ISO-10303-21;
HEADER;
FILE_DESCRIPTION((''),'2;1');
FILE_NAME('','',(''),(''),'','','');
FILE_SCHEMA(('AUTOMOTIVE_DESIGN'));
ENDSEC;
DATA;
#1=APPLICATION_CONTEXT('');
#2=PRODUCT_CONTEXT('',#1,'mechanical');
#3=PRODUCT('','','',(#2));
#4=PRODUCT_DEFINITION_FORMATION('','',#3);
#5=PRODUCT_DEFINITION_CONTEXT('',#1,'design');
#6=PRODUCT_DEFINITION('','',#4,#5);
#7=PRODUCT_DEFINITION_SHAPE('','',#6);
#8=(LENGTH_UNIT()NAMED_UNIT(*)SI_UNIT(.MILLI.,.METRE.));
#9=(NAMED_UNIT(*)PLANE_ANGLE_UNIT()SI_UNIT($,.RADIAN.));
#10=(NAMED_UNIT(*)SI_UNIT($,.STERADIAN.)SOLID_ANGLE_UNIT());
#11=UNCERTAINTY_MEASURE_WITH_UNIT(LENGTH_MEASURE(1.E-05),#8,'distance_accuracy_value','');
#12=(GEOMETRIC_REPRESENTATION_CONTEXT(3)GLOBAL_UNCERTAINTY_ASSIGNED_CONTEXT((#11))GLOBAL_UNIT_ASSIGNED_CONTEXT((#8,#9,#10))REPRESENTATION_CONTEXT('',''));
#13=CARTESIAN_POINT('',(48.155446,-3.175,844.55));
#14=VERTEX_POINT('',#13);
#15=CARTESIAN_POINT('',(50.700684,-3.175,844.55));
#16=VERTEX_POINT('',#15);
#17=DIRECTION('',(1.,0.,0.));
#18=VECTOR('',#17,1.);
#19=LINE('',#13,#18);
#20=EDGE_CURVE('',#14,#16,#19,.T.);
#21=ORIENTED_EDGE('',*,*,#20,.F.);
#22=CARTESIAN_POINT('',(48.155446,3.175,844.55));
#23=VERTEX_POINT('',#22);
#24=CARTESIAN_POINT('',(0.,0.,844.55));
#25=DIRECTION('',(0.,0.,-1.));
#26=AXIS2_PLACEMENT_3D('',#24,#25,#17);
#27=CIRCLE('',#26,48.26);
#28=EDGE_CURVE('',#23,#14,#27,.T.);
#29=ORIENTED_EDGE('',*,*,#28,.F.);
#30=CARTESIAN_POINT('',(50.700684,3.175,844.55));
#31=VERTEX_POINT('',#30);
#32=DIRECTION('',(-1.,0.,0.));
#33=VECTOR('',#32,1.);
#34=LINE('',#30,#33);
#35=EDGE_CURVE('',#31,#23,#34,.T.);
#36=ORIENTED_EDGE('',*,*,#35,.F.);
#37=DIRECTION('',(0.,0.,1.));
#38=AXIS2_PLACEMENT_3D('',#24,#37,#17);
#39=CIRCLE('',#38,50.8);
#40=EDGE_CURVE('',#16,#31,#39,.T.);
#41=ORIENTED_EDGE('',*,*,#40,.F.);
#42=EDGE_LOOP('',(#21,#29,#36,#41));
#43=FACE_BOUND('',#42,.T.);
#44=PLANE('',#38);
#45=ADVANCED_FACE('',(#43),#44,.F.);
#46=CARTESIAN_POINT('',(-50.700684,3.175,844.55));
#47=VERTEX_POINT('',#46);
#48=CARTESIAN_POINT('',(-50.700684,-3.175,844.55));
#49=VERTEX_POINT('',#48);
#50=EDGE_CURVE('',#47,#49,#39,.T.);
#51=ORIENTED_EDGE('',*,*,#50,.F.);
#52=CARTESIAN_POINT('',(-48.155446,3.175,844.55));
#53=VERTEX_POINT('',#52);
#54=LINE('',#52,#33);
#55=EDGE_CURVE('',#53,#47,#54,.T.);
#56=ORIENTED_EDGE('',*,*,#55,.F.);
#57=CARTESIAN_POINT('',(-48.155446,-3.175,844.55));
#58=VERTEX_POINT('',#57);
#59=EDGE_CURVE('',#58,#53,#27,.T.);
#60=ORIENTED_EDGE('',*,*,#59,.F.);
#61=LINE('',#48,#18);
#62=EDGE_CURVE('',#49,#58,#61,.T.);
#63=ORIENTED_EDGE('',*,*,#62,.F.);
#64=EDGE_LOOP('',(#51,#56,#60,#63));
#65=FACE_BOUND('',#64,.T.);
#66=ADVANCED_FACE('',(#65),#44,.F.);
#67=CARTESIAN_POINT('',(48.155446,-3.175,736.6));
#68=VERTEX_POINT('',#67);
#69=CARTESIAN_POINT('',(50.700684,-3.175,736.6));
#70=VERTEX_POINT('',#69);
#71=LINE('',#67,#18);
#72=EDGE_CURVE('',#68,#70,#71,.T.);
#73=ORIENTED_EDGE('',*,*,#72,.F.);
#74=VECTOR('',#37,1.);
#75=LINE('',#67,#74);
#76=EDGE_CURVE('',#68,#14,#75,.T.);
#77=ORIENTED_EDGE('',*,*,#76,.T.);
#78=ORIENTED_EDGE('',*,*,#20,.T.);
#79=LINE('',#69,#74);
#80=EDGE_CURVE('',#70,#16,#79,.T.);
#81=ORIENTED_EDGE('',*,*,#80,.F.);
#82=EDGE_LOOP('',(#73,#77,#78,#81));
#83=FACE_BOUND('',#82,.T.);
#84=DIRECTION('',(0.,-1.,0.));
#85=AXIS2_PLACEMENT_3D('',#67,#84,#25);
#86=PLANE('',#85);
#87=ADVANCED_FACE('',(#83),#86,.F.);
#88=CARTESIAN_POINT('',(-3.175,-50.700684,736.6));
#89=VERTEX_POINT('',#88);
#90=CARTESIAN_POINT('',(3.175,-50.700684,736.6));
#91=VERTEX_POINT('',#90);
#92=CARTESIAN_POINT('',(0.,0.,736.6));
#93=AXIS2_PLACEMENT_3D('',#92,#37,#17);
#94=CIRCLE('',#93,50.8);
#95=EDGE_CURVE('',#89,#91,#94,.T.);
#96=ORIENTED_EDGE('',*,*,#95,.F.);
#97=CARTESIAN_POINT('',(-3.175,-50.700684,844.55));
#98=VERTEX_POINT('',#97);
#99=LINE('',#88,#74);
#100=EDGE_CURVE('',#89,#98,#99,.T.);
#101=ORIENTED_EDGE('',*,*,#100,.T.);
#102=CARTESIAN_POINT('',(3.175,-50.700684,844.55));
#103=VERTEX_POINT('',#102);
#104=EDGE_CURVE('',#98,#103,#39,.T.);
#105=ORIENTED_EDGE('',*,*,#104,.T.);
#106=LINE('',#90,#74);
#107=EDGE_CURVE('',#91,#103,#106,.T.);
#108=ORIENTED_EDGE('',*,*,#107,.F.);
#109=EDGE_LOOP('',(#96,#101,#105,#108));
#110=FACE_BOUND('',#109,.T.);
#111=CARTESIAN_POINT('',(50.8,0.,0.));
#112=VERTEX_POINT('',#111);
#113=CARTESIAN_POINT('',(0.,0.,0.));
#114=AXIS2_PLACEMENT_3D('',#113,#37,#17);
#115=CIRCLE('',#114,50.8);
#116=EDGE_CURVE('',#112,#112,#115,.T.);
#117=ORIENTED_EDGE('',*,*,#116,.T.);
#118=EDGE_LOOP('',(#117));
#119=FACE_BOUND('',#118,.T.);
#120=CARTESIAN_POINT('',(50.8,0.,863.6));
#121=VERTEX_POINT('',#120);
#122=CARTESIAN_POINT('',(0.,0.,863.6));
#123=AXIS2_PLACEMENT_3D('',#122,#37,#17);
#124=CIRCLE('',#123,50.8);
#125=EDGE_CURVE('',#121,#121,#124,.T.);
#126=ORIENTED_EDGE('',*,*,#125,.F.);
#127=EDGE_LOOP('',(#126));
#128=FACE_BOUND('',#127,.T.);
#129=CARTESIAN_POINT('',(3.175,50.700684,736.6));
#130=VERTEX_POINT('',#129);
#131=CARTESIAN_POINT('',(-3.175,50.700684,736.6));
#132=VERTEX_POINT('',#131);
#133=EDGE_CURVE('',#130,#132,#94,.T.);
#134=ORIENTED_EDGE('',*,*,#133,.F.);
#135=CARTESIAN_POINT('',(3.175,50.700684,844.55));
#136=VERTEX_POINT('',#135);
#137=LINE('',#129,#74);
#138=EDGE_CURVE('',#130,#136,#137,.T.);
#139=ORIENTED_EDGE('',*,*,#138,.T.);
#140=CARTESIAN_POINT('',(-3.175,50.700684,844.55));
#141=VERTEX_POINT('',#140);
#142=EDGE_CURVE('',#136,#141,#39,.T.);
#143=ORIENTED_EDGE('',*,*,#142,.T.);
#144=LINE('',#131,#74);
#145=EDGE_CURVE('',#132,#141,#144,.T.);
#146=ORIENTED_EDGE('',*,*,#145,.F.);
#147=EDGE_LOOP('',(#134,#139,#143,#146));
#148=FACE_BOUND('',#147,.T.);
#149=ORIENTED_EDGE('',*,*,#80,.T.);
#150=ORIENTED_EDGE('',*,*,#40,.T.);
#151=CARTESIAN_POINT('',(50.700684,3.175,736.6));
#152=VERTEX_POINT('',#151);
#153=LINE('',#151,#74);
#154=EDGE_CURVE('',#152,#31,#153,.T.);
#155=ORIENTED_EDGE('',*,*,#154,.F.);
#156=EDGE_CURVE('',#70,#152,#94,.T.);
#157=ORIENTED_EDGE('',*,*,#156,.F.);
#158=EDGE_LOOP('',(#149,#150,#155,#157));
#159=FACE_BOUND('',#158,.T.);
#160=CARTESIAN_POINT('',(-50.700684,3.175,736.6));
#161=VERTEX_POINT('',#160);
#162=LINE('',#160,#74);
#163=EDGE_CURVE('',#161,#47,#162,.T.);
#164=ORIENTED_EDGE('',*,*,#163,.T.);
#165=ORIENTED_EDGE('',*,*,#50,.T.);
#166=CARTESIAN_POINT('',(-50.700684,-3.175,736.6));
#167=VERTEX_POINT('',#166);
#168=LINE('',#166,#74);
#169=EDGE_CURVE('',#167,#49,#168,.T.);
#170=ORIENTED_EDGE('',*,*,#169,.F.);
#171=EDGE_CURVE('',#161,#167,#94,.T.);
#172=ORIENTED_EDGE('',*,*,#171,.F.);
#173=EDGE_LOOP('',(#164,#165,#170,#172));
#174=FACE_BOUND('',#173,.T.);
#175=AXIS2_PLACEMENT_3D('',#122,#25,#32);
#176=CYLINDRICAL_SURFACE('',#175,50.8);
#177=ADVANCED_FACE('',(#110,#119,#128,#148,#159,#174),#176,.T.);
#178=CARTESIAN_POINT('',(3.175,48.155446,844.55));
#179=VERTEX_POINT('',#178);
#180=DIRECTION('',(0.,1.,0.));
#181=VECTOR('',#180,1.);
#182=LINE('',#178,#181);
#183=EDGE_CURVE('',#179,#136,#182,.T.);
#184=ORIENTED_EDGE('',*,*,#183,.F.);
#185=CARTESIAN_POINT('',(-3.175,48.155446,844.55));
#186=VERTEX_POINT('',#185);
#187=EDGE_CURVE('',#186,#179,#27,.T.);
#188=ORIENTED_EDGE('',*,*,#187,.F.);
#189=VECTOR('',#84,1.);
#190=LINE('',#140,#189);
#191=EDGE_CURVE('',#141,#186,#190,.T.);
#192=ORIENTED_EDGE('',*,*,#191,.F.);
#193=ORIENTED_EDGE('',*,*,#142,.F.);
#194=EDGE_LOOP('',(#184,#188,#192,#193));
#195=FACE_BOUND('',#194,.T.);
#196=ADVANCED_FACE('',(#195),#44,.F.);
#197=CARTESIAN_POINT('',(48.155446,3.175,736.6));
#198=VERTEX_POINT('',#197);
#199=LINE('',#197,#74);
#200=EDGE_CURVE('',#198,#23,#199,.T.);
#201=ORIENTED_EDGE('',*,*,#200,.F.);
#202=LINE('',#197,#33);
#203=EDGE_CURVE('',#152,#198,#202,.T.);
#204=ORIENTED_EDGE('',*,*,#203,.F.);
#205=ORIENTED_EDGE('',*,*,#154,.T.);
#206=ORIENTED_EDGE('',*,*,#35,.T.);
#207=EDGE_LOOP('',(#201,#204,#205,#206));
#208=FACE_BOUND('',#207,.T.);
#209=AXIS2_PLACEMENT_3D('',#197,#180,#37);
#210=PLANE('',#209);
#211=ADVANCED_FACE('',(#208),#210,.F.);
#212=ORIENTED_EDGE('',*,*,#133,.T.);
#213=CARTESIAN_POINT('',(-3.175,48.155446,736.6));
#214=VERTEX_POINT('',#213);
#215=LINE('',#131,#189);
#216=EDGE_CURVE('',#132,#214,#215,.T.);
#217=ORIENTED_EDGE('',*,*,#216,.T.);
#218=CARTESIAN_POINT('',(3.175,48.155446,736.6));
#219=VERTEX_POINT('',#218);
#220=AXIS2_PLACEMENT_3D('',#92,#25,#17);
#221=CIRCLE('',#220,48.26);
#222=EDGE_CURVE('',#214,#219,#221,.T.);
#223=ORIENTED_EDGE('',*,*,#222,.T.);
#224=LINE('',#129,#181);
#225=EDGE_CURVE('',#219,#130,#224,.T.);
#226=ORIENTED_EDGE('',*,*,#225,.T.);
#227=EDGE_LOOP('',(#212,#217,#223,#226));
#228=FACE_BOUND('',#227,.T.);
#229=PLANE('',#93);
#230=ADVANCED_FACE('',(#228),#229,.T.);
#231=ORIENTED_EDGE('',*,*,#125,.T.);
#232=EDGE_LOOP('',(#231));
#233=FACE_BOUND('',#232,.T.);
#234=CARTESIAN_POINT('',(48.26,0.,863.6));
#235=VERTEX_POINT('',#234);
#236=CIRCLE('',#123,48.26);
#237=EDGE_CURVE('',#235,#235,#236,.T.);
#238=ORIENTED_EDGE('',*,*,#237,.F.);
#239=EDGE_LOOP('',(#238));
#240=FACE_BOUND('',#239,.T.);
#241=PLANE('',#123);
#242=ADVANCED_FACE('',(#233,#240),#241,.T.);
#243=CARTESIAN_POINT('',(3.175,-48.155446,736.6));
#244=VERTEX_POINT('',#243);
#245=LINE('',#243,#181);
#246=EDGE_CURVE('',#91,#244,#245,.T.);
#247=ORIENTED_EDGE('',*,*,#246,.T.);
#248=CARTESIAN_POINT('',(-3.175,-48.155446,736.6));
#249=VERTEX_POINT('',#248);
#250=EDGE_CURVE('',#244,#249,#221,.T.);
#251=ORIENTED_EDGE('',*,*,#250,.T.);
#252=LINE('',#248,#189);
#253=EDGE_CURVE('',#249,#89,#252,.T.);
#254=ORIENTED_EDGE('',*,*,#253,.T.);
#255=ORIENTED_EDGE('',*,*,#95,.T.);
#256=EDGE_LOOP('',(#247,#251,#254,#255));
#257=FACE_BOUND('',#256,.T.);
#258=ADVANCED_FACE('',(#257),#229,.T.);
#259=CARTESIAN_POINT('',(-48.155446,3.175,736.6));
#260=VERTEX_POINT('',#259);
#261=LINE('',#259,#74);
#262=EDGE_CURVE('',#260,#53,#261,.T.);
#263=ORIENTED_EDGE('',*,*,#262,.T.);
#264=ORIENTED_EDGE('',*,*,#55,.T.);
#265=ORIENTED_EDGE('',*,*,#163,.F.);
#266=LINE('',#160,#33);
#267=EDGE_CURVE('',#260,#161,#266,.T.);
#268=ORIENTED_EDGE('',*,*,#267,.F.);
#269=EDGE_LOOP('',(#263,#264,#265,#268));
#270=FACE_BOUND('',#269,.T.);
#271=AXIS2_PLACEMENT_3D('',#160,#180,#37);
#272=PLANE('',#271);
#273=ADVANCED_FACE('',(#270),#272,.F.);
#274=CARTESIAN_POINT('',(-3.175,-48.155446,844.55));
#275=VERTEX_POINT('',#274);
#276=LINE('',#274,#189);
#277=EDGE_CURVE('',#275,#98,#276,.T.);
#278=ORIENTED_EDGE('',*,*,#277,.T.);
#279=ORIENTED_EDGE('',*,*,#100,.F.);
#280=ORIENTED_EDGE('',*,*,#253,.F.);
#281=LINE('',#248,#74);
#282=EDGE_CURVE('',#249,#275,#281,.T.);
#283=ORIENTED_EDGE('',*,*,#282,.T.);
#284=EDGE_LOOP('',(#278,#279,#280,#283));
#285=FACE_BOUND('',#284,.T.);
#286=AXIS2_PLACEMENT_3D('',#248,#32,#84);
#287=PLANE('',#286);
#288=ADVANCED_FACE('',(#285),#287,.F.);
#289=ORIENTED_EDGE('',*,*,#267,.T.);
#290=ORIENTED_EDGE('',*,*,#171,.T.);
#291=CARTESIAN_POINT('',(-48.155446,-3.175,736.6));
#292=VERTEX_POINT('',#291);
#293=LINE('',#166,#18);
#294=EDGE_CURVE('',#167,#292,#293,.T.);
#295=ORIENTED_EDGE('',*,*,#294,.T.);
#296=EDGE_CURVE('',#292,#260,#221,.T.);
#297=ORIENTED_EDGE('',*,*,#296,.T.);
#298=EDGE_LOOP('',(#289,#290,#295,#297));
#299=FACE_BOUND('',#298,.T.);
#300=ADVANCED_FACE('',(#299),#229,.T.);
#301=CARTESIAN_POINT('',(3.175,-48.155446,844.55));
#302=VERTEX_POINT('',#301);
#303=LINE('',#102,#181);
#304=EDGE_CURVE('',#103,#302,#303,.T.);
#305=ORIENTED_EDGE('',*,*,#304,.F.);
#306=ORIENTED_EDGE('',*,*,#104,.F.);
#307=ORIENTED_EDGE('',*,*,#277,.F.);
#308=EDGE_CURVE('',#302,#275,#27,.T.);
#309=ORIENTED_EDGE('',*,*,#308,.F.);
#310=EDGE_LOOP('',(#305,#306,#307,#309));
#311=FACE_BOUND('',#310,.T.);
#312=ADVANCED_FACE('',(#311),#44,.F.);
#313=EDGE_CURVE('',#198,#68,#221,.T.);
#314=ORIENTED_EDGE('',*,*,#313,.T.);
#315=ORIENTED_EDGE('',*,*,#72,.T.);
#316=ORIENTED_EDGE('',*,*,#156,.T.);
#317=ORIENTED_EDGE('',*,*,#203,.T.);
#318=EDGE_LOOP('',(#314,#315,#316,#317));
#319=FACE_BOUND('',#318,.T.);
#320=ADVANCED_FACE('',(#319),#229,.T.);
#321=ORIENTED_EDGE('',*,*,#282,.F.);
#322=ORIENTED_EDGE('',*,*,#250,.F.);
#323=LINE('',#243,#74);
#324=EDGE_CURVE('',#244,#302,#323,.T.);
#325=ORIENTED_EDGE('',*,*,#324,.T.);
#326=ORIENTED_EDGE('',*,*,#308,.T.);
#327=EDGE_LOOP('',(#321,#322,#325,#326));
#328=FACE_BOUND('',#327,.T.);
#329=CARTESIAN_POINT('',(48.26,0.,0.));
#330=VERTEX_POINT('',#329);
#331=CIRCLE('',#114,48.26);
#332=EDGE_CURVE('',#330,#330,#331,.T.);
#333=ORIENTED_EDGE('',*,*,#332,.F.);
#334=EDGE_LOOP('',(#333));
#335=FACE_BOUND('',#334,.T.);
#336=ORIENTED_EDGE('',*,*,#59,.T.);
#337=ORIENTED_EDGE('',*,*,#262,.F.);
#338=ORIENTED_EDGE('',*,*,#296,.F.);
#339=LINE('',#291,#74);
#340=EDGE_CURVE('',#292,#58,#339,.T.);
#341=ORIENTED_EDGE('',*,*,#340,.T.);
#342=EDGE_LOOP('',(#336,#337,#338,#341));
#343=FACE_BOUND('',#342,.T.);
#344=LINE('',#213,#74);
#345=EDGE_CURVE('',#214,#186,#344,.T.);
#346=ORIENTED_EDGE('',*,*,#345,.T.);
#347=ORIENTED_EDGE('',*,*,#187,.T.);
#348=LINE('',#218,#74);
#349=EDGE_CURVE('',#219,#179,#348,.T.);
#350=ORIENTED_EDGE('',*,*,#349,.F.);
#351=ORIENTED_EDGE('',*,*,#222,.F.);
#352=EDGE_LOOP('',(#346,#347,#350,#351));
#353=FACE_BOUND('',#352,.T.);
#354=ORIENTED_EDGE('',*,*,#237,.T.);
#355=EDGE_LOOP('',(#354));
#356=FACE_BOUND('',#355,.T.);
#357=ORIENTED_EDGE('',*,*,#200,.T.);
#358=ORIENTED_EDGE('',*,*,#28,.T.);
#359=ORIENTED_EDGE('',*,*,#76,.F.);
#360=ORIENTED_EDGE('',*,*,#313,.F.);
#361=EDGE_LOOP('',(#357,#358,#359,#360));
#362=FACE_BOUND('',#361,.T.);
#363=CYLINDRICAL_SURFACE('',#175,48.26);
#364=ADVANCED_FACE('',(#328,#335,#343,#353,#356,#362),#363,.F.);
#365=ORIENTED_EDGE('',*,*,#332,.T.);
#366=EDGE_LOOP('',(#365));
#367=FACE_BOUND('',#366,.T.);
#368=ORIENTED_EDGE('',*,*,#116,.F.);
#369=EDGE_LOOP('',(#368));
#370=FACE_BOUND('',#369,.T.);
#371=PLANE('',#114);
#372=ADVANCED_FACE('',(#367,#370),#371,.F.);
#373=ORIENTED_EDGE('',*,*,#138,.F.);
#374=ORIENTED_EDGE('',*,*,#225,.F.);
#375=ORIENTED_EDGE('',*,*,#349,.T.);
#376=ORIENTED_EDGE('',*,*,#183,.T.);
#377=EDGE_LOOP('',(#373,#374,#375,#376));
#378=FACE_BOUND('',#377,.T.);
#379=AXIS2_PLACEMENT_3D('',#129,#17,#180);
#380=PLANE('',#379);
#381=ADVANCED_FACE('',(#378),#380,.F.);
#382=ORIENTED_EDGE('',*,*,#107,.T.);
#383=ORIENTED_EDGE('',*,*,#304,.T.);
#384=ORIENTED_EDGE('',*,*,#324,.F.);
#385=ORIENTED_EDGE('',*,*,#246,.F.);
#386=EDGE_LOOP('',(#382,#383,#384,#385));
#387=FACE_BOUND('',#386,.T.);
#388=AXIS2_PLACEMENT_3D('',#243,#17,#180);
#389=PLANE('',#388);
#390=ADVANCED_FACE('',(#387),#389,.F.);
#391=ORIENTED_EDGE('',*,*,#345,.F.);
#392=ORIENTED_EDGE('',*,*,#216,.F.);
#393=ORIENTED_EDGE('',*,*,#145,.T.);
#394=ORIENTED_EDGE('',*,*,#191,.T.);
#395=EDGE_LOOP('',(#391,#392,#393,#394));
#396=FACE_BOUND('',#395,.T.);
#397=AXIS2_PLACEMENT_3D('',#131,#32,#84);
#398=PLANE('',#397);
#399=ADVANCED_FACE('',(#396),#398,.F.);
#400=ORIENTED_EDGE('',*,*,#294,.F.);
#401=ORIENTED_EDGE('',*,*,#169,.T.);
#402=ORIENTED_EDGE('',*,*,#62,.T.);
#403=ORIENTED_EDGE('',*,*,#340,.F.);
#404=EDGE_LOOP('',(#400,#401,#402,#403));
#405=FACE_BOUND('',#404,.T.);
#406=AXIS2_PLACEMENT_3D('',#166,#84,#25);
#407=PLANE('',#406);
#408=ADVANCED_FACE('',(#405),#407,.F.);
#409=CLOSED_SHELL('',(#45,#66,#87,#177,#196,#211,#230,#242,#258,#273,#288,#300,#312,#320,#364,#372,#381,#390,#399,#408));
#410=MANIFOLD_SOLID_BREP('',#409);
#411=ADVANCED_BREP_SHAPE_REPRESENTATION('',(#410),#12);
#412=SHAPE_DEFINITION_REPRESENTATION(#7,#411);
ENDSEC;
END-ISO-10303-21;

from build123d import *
from build123d.topology import SkipClean

# Parameters (mm, degrees)
SKETCH1_R           = 50.8
SKETCH1_R_2         = 48.26
BOSS_EXTRUDE1_DEPTH = 863.6
CUT_EXTRUDE1_START  = -127
CUT_EXTRUDE1_DEPTH  = 127
BOSS_EXTRUDE2_START = -19.05
BOSS_EXTRUDE2_DEPTH = 19.05


with BuildPart() as part:
    # Sketch1 → Boss-Extrude1 (new body)
    with BuildSketch(Plane.XY):
        Circle(SKETCH1_R)
        Circle(SKETCH1_R_2, mode=Mode.SUBTRACT)
    extrude(amount=BOSS_EXTRUDE1_DEPTH)

    # Sketch2 → Cut-Extrude1 (cut)
    with BuildSketch(Plane.XY.offset(863.6).offset(CUT_EXTRUDE1_START)):
        with BuildLine():
            Line((-3.175, 50.700684167), (-3.175, 48.155445954))
            ThreePointArc((-3.175, 48.155445954), (0, 48.26), (3.175, 48.155445954))
            Line((3.175, 48.155445954), (3.175, 50.700684167))
            ThreePointArc((3.175, 50.700684167), (0, 50.8), (-3.175, 50.700684167))
        make_face()
        with BuildLine():
            Line((-50.700684167, 3.175), (-48.155445954, 3.175))
            ThreePointArc((-48.155445954, 3.175), (-48.26, 0), (-48.155445954, -3.175))
            Line((-48.155445954, -3.175), (-50.700684167, -3.175))
            ThreePointArc((-50.700684167, -3.175), (-50.8, 0), (-50.700684167, 3.175))
        make_face()
        with BuildLine():
            Line((48.155445954, 3.175), (50.700684167, 3.175))
            ThreePointArc((50.700684167, 3.175), (50.8, 0), (50.700684167, -3.175))
            Line((50.700684167, -3.175), (48.155445954, -3.175))
            ThreePointArc((48.155445954, -3.175), (48.26, 0), (48.155445954, 3.175))
        make_face()
        with BuildLine():
            Line((3.175, -48.155445954), (3.175, -50.700684167))
            ThreePointArc((3.175, -50.700684167), (0, -50.8), (-3.175, -50.700684167))
            Line((-3.175, -50.700684167), (-3.175, -48.155445954))
            ThreePointArc((-3.175, -48.155445954), (0, -48.26), (3.175, -48.155445954))
        make_face()
    extrude(amount=CUT_EXTRUDE1_DEPTH, mode=Mode.SUBTRACT)

    # Sketch4 → Boss-Extrude2 (add)
    with SkipClean():  # the faces are left unmerged after this step: merging them gives an invalid solid
        with BuildSketch(Plane.XY.offset(863.6).offset(BOSS_EXTRUDE2_START)):
            with BuildLine():
                Line((-3.175, 50.700684167), (-3.175, 48.155445954))
                ThreePointArc((-3.175, 48.155445954), (0, 48.26), (3.175, 48.155445954))
                Line((3.175, 48.155445954), (3.175, 50.700684167))
                ThreePointArc((3.175, 50.700684167), (0, 50.8), (-3.175, 50.700684167))
            make_face()
            with BuildLine():
                Line((50.700684167, 3.175), (48.155445954, 3.175))
                ThreePointArc((48.155445954, 3.175), (48.26, 0), (48.155445954, -3.175))
                Line((48.155445954, -3.175), (50.700684167, -3.175))
                ThreePointArc((50.700684167, -3.175), (50.8, 0), (50.700684167, 3.175))
            make_face()
            with BuildLine():
                Line((3.175, -50.700684167), (3.175, -48.155445954))
                ThreePointArc((3.175, -48.155445954), (0, -48.26), (-3.175, -48.155445954))
                Line((-3.175, -48.155445954), (-3.175, -50.700684167))
                ThreePointArc((-3.175, -50.700684167), (0, -50.8), (3.175, -50.700684167))
            make_face()
            with BuildLine():
                Line((-48.155445954, 3.175), (-50.700684167, 3.175))
                ThreePointArc((-50.700684167, 3.175), (-50.8, 0), (-50.700684167, -3.175))
                Line((-50.700684167, -3.175), (-48.155445954, -3.175))
                ThreePointArc((-48.155445954, -3.175), (-48.26, 0), (-48.155445954, 3.175))
            make_face()
        extrude(amount=BOSS_EXTRUDE2_DEPTH)


solid = part.part
